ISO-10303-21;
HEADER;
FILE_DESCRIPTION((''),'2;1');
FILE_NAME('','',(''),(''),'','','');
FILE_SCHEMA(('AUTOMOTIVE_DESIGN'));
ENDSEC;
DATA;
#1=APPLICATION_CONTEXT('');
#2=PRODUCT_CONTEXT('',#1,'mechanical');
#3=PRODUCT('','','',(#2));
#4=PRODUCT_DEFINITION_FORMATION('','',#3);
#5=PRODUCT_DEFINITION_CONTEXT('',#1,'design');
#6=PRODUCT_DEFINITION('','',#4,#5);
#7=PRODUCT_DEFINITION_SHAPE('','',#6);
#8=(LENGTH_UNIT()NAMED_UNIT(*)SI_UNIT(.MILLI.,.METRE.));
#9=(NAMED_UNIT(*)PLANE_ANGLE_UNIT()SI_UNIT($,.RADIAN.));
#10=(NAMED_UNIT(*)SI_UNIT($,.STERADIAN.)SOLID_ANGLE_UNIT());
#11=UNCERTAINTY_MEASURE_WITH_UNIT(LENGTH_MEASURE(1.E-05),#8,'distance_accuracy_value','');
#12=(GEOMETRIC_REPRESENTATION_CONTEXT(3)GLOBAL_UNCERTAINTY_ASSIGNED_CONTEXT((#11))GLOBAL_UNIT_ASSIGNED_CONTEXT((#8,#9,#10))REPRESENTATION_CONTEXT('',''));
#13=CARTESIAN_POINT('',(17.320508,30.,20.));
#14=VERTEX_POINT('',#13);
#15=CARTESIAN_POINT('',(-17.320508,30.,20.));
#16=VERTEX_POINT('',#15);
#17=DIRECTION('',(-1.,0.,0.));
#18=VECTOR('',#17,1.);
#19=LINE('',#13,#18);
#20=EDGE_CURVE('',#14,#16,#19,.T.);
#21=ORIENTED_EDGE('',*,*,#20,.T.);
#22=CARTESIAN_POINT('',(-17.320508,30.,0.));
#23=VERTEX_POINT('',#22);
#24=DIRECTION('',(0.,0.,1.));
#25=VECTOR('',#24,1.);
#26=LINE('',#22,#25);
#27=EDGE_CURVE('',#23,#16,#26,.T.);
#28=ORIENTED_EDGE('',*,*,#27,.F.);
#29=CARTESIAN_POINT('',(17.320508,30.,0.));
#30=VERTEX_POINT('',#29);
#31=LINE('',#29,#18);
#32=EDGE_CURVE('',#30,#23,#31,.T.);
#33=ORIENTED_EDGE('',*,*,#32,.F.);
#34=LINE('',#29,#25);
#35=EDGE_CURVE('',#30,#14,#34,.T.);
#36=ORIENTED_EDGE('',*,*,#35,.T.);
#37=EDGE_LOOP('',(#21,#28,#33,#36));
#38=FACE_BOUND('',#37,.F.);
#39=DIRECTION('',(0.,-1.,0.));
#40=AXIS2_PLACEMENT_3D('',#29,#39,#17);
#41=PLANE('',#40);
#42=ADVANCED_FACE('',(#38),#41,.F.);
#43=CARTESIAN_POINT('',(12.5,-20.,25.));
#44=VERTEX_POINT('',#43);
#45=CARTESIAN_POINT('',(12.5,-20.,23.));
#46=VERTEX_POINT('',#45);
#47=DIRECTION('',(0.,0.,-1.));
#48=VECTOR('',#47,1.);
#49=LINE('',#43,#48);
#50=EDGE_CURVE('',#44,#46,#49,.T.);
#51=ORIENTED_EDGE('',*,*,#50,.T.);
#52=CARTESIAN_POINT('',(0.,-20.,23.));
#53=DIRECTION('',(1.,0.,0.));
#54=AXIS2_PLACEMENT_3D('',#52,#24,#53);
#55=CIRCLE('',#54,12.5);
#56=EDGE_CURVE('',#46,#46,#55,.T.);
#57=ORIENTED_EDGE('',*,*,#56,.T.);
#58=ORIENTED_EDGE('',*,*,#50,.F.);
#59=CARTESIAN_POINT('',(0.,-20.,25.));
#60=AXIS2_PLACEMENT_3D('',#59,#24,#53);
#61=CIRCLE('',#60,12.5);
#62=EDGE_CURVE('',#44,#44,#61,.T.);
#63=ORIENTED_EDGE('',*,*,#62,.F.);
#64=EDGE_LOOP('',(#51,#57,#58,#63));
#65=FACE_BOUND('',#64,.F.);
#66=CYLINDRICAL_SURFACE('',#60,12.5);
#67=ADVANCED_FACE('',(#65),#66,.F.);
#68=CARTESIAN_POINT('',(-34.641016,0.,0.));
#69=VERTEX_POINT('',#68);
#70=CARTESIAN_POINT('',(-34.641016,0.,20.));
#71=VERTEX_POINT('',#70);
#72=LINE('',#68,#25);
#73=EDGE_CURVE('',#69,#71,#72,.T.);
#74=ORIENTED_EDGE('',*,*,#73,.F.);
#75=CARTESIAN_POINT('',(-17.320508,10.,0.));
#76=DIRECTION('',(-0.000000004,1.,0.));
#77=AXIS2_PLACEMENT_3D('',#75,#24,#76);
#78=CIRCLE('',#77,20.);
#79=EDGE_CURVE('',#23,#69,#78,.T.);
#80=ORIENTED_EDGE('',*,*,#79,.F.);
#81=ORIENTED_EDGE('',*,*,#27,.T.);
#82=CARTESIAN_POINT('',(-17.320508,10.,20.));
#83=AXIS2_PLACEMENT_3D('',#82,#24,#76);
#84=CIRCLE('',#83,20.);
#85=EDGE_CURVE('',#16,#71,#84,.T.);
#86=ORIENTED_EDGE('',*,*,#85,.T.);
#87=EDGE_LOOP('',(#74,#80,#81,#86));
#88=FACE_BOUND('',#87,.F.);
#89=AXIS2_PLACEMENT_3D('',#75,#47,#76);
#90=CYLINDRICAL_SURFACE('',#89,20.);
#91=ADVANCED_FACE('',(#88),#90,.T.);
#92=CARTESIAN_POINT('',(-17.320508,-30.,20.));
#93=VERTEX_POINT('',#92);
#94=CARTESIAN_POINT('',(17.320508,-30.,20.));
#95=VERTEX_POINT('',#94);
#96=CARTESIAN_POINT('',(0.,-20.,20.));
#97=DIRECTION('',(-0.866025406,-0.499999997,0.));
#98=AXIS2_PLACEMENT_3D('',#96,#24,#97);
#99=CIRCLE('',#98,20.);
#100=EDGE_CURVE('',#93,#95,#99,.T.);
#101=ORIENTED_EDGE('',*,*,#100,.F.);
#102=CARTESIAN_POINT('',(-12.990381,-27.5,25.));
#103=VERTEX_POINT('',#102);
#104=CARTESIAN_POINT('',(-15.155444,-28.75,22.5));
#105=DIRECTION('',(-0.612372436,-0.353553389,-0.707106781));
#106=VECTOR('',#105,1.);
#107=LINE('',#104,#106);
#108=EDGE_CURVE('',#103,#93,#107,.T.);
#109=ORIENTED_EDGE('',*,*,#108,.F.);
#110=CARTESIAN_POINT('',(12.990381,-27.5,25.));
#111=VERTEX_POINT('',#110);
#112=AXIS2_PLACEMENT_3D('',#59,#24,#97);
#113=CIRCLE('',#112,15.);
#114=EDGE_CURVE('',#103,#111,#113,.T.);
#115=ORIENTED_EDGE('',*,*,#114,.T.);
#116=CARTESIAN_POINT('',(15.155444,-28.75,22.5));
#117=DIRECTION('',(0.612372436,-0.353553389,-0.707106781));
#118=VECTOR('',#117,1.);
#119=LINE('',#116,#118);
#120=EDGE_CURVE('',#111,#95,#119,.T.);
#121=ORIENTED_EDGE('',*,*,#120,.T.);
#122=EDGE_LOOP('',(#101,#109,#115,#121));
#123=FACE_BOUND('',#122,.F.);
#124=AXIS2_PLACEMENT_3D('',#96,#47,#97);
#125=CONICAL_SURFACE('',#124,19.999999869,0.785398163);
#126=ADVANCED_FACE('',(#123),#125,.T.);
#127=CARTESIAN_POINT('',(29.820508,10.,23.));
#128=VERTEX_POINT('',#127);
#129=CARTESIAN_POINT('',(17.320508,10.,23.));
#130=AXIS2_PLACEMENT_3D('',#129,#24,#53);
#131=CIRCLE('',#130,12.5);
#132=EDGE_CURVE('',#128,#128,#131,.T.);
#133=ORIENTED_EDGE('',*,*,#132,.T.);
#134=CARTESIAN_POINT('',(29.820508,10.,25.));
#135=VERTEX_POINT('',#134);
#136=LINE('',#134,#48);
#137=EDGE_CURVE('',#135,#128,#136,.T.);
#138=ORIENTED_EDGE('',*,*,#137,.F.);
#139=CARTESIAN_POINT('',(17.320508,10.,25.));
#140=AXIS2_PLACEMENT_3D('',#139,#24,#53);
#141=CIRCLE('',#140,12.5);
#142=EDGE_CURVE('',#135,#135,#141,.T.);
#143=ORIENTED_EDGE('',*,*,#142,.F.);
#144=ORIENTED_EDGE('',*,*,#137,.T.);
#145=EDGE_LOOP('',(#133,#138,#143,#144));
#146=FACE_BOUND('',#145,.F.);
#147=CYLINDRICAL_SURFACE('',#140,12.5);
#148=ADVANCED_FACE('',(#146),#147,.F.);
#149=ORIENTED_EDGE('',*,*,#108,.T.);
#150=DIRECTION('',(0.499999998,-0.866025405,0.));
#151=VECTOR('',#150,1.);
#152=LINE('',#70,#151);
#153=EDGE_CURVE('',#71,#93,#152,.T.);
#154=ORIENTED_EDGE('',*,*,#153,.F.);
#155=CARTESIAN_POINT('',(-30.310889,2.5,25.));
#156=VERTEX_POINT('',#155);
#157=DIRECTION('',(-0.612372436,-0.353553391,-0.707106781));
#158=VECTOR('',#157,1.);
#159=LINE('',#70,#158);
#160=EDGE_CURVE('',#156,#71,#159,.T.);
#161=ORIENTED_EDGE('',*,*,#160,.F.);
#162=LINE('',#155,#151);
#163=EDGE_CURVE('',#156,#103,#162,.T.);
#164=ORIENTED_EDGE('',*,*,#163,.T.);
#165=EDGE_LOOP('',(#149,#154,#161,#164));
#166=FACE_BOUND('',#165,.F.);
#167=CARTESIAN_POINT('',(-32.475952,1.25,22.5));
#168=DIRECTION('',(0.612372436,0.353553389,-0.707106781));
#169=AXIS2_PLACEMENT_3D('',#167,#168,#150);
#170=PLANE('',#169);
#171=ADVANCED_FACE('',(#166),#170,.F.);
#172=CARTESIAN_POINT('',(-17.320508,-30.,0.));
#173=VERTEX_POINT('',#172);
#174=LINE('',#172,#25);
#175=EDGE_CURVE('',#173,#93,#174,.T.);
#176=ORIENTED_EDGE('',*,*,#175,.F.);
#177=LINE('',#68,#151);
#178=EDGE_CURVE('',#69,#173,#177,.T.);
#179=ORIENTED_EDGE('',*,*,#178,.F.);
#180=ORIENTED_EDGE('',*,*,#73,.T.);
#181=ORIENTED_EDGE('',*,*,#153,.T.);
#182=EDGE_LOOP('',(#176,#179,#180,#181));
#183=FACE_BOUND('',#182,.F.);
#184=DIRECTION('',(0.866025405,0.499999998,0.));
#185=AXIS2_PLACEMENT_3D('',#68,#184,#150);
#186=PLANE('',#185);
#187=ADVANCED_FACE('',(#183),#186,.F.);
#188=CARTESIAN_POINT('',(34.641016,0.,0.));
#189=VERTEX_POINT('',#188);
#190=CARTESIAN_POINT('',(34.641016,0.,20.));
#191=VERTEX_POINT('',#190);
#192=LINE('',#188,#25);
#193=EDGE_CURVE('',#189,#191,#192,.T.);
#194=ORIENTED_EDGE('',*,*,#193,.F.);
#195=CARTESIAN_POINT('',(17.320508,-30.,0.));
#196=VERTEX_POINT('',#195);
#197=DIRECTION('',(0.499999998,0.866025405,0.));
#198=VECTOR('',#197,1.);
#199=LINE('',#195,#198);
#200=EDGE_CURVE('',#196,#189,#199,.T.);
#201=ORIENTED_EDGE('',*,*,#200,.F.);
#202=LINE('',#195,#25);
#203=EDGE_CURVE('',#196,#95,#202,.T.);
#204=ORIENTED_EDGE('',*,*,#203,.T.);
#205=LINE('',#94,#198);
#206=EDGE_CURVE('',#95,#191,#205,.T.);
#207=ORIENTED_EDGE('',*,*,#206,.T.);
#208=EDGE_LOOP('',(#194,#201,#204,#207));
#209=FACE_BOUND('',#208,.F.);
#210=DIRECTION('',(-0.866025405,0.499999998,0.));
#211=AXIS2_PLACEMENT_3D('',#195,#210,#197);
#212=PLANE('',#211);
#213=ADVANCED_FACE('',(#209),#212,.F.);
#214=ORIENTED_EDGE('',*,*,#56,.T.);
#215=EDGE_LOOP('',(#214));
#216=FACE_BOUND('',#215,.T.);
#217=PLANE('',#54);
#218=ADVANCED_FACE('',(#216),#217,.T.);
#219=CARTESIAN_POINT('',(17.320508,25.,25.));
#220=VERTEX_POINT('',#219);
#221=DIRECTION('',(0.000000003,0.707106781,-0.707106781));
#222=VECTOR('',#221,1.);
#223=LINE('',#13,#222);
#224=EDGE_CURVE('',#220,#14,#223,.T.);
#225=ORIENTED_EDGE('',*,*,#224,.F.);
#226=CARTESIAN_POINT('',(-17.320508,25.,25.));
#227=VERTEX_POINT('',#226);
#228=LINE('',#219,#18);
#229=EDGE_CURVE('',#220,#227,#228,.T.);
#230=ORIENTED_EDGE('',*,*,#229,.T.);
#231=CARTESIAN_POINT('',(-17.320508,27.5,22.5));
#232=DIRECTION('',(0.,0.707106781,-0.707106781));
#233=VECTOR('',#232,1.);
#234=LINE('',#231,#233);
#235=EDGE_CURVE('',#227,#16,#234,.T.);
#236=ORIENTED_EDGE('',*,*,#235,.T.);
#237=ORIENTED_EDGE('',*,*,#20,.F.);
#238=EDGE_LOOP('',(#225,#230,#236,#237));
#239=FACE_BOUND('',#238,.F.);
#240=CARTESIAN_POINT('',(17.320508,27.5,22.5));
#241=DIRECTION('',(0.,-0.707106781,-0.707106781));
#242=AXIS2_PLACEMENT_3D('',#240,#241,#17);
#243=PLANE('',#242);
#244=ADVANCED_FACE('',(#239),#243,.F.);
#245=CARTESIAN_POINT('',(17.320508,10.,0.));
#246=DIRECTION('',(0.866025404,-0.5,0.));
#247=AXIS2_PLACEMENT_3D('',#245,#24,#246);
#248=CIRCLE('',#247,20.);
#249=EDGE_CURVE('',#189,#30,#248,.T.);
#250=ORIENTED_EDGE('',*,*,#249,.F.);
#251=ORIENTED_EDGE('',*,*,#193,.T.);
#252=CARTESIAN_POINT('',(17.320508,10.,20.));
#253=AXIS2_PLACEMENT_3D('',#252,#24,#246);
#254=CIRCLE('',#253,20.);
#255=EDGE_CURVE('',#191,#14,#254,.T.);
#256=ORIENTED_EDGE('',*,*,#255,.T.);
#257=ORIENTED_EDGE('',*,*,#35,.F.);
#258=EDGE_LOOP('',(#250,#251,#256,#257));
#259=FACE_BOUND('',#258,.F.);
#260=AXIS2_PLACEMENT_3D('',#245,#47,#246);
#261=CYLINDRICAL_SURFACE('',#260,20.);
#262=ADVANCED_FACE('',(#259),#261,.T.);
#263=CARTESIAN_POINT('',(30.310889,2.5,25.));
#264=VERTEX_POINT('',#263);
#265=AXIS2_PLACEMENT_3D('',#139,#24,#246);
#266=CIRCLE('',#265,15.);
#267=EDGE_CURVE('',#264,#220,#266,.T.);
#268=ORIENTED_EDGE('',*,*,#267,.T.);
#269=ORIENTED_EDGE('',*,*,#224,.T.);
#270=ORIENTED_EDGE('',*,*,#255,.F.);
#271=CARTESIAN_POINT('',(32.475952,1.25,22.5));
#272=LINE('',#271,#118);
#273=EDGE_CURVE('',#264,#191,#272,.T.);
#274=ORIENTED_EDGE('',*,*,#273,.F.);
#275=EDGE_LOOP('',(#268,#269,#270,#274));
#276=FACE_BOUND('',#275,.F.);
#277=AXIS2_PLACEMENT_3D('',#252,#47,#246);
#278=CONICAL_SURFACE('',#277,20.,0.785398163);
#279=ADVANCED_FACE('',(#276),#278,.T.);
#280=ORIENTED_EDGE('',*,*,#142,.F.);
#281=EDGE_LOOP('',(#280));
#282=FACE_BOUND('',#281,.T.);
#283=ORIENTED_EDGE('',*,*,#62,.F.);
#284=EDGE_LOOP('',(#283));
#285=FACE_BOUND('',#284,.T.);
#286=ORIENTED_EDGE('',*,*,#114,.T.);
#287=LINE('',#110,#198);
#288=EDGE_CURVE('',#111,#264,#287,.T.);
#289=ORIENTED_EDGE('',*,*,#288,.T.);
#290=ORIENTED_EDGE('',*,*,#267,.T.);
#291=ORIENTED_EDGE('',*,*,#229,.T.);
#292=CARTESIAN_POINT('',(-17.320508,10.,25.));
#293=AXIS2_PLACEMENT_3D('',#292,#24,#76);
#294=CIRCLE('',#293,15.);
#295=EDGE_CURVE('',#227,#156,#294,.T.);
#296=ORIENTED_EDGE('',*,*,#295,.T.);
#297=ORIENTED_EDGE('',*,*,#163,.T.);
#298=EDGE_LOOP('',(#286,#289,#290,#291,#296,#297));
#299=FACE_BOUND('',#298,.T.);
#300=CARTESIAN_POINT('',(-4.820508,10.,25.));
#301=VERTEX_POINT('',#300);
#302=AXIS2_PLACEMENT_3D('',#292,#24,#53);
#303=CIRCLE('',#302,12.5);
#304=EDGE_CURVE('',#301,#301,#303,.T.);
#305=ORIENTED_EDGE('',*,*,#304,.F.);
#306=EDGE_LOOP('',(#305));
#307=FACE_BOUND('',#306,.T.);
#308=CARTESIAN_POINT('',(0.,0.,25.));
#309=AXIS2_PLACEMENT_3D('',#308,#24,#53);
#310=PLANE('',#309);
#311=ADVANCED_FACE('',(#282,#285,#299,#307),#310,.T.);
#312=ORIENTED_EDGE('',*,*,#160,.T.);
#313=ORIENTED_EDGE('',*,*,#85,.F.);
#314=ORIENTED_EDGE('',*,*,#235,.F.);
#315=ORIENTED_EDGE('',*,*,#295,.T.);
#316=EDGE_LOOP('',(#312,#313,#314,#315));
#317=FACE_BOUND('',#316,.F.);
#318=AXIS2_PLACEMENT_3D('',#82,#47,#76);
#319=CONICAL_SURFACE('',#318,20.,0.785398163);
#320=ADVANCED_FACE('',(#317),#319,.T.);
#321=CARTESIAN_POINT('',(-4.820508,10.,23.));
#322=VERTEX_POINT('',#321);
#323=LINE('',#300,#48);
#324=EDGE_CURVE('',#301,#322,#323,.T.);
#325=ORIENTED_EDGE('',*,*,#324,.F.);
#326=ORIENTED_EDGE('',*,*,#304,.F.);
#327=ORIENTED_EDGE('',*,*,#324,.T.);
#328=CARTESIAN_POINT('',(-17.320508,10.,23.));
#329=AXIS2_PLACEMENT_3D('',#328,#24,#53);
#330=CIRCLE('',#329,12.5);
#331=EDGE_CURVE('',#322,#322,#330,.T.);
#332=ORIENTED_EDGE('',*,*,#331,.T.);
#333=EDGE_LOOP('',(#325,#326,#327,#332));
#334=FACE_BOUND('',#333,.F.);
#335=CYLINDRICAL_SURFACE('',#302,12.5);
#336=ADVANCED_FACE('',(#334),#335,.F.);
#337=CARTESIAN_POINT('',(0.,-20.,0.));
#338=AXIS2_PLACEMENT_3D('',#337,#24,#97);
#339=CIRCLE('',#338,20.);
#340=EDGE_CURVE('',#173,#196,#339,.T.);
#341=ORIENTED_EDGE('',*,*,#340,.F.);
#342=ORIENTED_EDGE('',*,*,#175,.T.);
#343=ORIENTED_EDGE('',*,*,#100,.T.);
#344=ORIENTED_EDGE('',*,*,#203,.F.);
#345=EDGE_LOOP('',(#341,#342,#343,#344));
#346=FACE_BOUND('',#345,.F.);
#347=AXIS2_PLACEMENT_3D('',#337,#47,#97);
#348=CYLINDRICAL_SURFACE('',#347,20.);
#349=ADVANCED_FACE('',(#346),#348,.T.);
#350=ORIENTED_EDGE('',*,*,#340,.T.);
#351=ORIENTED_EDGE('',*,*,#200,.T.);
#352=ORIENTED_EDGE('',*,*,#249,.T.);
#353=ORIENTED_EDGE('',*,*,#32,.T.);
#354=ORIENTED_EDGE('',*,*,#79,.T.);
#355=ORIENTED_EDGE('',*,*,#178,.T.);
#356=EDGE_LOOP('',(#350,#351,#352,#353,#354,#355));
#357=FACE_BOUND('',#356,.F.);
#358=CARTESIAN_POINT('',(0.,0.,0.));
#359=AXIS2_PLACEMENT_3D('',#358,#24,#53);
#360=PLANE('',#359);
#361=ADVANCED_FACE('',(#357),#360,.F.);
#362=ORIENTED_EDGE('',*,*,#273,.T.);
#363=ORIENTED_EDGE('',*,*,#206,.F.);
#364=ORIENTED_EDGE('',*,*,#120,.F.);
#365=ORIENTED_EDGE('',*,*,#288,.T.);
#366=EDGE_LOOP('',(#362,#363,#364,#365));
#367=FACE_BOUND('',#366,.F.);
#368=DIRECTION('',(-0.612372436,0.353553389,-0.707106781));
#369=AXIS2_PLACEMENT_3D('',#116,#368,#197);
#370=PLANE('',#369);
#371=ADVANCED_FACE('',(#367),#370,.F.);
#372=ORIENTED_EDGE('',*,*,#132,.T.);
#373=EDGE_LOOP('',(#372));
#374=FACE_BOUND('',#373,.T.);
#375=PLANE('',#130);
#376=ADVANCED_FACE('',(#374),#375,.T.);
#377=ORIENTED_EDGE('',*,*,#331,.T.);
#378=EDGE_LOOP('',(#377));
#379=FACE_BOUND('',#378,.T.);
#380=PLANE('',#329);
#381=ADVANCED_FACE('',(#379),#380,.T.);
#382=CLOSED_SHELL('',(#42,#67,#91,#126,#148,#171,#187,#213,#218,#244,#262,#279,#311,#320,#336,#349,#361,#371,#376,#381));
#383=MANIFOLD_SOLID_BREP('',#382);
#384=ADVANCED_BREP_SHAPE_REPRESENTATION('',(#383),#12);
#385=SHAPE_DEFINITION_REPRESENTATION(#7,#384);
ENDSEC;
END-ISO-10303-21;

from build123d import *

# Parameters (mm, degrees)
F1_DEPTH = 25
F2_R     = 12.5
F3_DEPTH = 2
F4_SIZE  = 5


with BuildPart() as f1:
    # F0 (on Top) → F1 (new body)
    with BuildSketch(Plane.XY):
        with BuildLine():
            Line((17.320508, 30), (-17.320508, 30))
            ThreePointArc((-17.320508, 30), (-34.641016, 20), (-34.641016, 0))
            Line((-34.641016, 0), (-17.320508, -30))
            ThreePointArc((-17.320508, -30), (0, -40), (17.320508, -30))
            Line((17.320508, -30), (34.641016, 0))
            ThreePointArc((34.641016, 0), (34.641016, 20), (17.320508, 30))
        make_face()
    extrude(amount=F1_DEPTH)

    # F2 (on face) → F3 (cut)
    with BuildSketch(Plane.XY.offset(25)):
        with Locations((-17.320508, 10)):
            Circle(F2_R)
        with Locations((0, -20)):
            Circle(F2_R)
        with Locations((17.320508, 10)):
            Circle(F2_R)
    extrude(amount=-F3_DEPTH, mode=Mode.SUBTRACT)

    # F4
    f4_edges = [f1.edges().sort_by_distance(p)[0] for p in [
        (25.980762, -15, 25),
    ]]
    chamfer(f4_edges, length=F4_SIZE)


solid = f1.part
